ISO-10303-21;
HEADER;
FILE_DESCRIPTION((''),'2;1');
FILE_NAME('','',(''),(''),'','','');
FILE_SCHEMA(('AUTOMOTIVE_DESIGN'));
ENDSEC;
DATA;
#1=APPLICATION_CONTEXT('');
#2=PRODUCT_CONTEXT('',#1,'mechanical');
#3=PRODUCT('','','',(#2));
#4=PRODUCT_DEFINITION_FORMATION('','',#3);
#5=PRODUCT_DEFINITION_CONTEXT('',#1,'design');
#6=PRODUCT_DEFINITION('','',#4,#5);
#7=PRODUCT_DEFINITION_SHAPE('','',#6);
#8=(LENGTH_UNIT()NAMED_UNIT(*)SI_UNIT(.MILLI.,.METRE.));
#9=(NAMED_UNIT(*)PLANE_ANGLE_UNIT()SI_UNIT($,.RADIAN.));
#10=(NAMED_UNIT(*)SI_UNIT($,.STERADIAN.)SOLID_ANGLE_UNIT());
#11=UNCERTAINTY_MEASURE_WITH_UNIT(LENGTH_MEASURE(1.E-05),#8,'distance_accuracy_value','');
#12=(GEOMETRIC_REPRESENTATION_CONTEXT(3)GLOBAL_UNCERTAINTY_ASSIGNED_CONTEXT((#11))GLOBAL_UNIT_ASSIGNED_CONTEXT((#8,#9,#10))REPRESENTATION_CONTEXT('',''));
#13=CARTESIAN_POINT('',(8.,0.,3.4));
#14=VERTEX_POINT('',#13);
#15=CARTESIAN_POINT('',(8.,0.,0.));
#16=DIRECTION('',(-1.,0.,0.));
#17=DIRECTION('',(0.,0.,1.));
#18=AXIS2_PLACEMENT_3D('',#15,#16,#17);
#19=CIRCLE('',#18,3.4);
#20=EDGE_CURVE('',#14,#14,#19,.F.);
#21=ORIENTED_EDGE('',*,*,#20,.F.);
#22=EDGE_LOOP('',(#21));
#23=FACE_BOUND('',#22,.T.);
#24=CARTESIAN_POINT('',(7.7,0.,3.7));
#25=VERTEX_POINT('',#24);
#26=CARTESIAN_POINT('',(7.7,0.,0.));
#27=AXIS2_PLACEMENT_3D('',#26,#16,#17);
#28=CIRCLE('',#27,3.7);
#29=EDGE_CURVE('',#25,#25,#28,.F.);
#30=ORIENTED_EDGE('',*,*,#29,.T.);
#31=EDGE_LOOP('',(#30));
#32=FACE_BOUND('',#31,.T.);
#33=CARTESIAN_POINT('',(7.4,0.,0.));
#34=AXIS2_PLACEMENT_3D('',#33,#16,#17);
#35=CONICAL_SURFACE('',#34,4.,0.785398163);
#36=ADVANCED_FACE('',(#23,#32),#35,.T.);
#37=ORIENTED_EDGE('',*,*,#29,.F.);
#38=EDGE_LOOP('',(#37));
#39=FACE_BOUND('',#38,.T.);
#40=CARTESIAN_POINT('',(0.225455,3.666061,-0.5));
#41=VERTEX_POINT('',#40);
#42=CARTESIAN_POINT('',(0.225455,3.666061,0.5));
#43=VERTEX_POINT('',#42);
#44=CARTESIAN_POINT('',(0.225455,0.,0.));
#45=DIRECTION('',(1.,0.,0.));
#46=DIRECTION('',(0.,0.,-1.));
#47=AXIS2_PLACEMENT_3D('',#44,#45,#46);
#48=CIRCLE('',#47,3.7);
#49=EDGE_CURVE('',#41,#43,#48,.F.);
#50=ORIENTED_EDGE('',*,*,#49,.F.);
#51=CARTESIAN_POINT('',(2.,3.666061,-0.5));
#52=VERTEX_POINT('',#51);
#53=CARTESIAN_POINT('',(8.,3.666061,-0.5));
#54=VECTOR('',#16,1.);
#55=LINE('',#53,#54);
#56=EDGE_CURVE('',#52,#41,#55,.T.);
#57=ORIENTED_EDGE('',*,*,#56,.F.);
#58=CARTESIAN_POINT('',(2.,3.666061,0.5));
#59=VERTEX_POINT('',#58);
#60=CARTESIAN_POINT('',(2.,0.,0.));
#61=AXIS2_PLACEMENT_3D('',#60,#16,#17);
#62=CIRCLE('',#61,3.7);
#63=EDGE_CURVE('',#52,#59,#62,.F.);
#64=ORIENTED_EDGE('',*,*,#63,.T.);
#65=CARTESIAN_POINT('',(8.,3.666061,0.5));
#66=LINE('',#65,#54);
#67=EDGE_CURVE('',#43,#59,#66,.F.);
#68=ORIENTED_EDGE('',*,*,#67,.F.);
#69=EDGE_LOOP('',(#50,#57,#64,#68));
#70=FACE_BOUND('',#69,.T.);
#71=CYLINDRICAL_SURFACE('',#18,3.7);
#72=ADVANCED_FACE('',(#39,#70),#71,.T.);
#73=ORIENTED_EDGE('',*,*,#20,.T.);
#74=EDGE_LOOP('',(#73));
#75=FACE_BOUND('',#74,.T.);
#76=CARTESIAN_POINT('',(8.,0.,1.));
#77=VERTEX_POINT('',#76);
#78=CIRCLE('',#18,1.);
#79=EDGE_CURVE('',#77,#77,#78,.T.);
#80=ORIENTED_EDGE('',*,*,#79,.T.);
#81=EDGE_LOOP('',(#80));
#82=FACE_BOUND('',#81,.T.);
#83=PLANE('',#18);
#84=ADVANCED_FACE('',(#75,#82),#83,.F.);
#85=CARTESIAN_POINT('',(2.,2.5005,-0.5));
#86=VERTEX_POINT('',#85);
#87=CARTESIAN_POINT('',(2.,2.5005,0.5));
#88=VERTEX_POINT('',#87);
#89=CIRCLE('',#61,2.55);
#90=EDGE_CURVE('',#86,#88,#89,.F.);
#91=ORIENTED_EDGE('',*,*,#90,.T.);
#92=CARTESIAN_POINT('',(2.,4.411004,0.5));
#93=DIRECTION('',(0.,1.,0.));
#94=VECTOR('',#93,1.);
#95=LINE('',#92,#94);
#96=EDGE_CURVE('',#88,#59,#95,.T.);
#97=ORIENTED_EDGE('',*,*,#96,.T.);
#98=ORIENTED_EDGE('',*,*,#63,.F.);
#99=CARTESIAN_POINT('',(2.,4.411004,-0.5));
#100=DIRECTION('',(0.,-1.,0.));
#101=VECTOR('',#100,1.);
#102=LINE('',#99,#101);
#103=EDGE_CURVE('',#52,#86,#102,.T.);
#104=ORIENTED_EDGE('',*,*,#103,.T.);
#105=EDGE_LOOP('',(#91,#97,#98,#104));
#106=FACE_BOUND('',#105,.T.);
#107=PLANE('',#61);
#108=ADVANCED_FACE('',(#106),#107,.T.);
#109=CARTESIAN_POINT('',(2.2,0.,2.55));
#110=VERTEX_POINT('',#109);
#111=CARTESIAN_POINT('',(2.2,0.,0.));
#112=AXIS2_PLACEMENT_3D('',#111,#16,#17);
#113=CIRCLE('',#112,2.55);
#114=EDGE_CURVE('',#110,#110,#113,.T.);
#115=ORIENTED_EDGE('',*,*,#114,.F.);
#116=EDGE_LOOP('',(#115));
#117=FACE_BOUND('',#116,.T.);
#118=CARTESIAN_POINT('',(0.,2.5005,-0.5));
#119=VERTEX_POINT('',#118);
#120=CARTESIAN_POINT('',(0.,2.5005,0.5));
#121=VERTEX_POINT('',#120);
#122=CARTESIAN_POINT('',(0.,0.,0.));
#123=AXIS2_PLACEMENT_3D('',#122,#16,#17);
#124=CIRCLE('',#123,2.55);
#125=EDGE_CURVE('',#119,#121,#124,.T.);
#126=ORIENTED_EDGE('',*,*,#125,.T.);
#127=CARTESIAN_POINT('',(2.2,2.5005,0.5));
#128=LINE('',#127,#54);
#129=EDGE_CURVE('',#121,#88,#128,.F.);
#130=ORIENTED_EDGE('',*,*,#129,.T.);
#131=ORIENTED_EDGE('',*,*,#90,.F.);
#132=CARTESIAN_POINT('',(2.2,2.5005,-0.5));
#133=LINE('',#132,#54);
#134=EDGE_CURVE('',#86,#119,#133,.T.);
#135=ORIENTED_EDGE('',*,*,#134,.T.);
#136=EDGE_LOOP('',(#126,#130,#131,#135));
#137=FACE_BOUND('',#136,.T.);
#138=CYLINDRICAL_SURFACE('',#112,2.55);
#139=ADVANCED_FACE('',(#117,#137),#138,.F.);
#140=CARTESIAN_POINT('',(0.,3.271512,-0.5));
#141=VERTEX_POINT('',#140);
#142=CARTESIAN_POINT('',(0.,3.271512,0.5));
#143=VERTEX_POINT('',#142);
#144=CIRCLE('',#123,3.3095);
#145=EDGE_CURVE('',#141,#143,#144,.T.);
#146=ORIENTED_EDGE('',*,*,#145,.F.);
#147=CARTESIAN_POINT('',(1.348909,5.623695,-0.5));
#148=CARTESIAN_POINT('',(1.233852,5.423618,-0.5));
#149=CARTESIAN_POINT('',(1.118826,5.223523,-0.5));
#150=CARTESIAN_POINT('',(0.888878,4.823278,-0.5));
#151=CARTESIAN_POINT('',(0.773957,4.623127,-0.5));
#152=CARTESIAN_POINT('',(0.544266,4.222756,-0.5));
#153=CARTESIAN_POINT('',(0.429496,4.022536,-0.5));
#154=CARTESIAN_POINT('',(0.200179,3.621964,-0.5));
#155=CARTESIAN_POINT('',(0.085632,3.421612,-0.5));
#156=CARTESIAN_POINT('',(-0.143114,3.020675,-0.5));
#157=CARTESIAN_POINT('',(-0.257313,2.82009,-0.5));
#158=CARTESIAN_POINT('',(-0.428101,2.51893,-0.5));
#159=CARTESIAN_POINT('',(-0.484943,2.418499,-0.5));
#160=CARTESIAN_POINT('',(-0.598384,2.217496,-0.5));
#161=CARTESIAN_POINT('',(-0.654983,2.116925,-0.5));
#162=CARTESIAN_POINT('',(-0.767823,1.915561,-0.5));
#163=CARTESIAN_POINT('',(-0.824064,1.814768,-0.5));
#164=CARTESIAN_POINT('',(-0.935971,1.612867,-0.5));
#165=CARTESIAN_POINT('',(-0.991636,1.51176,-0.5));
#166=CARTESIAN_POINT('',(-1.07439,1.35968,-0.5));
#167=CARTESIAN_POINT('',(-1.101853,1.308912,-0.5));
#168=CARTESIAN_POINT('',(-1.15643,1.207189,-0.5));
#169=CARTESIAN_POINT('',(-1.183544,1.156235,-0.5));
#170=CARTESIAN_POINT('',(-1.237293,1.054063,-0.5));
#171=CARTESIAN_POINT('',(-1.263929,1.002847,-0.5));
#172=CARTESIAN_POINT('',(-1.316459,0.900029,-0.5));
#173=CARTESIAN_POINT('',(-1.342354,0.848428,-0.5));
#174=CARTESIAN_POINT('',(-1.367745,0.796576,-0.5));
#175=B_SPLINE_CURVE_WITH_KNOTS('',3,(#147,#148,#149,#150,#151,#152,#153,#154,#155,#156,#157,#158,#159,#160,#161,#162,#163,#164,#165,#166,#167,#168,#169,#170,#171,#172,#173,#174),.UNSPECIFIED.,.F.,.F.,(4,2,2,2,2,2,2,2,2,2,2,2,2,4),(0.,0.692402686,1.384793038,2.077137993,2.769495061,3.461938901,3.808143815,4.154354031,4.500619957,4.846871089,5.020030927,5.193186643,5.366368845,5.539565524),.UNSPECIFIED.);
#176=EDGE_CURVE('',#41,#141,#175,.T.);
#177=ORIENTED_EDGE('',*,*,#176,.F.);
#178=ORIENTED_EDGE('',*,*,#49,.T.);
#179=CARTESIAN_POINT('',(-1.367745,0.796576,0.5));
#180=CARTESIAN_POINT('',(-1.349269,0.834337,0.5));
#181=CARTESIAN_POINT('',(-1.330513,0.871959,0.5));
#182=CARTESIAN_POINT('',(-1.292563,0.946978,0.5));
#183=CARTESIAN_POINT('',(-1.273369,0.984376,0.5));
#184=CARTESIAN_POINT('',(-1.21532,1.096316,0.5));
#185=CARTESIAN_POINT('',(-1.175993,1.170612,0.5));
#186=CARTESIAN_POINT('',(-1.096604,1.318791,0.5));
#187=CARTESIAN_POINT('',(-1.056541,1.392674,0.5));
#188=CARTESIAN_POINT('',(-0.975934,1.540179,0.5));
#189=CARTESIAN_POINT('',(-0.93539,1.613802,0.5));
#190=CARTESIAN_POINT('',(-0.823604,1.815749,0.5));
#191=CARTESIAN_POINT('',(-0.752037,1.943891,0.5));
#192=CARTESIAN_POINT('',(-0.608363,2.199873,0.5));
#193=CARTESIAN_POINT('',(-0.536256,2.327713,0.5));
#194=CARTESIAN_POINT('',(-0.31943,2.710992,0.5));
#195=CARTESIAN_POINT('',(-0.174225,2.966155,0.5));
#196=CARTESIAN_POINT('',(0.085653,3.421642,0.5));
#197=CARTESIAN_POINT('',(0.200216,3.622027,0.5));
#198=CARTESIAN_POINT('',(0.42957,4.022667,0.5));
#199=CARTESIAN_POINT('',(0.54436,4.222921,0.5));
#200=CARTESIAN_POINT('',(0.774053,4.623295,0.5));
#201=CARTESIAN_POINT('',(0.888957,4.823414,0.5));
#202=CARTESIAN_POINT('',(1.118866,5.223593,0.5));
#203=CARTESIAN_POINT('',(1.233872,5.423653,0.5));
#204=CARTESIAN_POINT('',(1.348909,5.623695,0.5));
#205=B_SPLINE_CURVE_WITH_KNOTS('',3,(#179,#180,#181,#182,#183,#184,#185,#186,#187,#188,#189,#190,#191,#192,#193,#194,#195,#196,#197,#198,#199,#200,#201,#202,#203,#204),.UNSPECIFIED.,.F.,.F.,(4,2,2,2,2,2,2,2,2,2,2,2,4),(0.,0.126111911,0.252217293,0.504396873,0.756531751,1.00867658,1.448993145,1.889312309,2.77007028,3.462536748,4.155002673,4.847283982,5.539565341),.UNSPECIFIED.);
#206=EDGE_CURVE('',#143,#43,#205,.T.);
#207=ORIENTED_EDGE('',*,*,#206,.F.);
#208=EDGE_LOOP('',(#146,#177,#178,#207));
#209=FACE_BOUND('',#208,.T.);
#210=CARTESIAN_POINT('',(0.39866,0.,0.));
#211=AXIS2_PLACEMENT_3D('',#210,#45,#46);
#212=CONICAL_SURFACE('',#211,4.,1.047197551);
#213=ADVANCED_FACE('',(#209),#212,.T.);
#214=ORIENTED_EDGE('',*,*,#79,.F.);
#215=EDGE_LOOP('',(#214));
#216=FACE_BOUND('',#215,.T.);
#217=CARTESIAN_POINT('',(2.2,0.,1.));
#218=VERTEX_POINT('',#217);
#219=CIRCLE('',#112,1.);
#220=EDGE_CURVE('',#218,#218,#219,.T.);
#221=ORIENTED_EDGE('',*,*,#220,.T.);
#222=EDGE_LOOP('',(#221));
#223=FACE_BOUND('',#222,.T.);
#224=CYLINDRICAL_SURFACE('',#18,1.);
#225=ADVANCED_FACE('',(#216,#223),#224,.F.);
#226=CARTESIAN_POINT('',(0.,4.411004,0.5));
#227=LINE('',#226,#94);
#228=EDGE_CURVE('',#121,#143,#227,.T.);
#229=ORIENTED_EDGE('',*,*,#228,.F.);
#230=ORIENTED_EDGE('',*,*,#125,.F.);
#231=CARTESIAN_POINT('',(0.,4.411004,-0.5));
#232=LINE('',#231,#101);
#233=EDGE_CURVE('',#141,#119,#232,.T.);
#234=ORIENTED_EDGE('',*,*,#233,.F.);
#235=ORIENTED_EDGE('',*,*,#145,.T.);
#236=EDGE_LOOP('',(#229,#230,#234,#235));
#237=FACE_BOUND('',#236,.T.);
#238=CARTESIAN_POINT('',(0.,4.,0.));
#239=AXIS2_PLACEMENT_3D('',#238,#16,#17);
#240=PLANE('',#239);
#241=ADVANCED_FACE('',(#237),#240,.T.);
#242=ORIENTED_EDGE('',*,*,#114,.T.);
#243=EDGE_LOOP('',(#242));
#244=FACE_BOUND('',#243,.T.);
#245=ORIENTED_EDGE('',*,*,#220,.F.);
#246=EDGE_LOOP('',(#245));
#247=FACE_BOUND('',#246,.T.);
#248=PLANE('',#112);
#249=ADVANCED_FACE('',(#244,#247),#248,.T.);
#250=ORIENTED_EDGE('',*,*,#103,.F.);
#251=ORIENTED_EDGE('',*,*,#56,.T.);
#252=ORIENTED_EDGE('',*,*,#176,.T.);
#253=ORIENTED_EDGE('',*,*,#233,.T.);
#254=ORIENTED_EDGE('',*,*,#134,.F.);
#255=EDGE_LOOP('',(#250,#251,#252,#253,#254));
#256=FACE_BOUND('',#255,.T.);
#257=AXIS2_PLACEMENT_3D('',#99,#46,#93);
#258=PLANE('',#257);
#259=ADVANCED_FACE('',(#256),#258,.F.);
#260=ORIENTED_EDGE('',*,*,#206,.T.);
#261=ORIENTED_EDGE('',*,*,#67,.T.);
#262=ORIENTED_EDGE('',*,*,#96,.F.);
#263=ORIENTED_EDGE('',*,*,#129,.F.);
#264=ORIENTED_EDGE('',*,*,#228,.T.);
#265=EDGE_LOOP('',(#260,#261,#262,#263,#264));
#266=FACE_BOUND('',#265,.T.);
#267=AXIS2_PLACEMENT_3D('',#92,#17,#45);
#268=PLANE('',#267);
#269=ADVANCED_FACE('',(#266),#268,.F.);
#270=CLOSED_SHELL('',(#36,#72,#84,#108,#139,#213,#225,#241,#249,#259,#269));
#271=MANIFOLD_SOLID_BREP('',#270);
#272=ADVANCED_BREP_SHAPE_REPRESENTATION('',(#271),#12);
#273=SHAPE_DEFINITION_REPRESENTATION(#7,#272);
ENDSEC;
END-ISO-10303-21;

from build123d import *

# Parameters (mm, degrees)
CHANFREIN1_SIZE         = 0.6905
CHANFREIN1_SIZE2        = 0.398660361
ESQUISSE3_R             = 2.55
ENL_V_MAT_EXTRU_2_DEPTH = 2.2
ESQUISSE4_R             = 4
ENL_V_MAT_EXTRU_3_DEPTH = 12.2
CHANFREIN2_SIZE         = 0.6
ESQUISSE5_OUTSIDE_W     = 12.772
ESQUISSE5_OUTSIDE_H     = 12.772
ESQUISSE5_OUTSIDE_R     = 3.7
ENL_V_MAT_EXTRU_4_DEPTH = 10.797958971
ESQUISSE6_W             = 1
ESQUISSE6_H             = 2.203007131
ENL_V_MAT_EXTRU_5_DEPTH = 2
ESQUISSE7_R             = 1
ENL_V_MAT_EXTRU_6_DEPTH = 8.81152994


with BuildPart() as part:
    # Esquisse1 → Révolution1 (revolve)
    with BuildSketch(Plane.XY, mode=Mode.PRIVATE) as r_volution1_sk:
        Polygon((0, 4), (0, 0), (12.000000001, 0), (8, 4), align=None)
    revolve(r_volution1_sk.sketch.rotate(Axis((0, 0, 0), (1, 0, 0)), 270), axis=Axis((0, 0, 0), (1, 0, 0)))

    # Chanfrein1
    chanfrein1_edges = [part.edges().sort_by_distance(p)[0] for p in [
        (0, 0, 4),
    ]]
    chanfrein1_side = [part.faces().sort_by_distance(p)[0] for p in [
        (0, 0, 0),
    ]]
    chamfer(chanfrein1_edges, length=CHANFREIN1_SIZE, length2=CHANFREIN1_SIZE2, reference=chanfrein1_side[0])

    # Esquisse3 → Enlèv. mat.-Extru.2 (cut)
    with BuildSketch(Plane.ZY):
        Circle(ESQUISSE3_R)
    extrude(amount=-ENL_V_MAT_EXTRU_2_DEPTH, mode=Mode.SUBTRACT)

    # Esquisse4 → Enlèv. mat.-Extru.3 (cut)
    with BuildSketch(Plane.ZY.offset(-8)):
        Circle(ESQUISSE4_R)
    extrude(amount=-ENL_V_MAT_EXTRU_3_DEPTH, mode=Mode.SUBTRACT)

    # Chanfrein2
    chanfrein2_edges = [part.edges().sort_by_distance(p)[0] for p in [
        (8, 0, 4),
    ]]
    chamfer(chanfrein2_edges, length=CHANFREIN2_SIZE)

    # Esquisse5 outside → Enlèv. mat.-Extru.4 (cut, through all)
    with BuildSketch(Plane.ZY):
        Rectangle(ESQUISSE5_OUTSIDE_W, ESQUISSE5_OUTSIDE_H)
        Circle(ESQUISSE5_OUTSIDE_R, mode=Mode.SUBTRACT)
    extrude(amount=-ENL_V_MAT_EXTRU_4_DEPTH, mode=Mode.SUBTRACT)

    # Esquisse6 → Enlèv. mat.-Extru.5 (cut)
    with BuildSketch(Plane.ZY):
        with Locations((0, 3.309500001)):
            Rectangle(ESQUISSE6_W, ESQUISSE6_H)
    extrude(amount=-ENL_V_MAT_EXTRU_5_DEPTH, mode=Mode.SUBTRACT)

    # Esquisse7 → Enlèv. mat.-Extru.6 (cut, through all)
    with BuildSketch(Plane.ZY.offset(-2.2)):
        Circle(ESQUISSE7_R)
    extrude(amount=-ENL_V_MAT_EXTRU_6_DEPTH, mode=Mode.SUBTRACT)


solid = part.part
